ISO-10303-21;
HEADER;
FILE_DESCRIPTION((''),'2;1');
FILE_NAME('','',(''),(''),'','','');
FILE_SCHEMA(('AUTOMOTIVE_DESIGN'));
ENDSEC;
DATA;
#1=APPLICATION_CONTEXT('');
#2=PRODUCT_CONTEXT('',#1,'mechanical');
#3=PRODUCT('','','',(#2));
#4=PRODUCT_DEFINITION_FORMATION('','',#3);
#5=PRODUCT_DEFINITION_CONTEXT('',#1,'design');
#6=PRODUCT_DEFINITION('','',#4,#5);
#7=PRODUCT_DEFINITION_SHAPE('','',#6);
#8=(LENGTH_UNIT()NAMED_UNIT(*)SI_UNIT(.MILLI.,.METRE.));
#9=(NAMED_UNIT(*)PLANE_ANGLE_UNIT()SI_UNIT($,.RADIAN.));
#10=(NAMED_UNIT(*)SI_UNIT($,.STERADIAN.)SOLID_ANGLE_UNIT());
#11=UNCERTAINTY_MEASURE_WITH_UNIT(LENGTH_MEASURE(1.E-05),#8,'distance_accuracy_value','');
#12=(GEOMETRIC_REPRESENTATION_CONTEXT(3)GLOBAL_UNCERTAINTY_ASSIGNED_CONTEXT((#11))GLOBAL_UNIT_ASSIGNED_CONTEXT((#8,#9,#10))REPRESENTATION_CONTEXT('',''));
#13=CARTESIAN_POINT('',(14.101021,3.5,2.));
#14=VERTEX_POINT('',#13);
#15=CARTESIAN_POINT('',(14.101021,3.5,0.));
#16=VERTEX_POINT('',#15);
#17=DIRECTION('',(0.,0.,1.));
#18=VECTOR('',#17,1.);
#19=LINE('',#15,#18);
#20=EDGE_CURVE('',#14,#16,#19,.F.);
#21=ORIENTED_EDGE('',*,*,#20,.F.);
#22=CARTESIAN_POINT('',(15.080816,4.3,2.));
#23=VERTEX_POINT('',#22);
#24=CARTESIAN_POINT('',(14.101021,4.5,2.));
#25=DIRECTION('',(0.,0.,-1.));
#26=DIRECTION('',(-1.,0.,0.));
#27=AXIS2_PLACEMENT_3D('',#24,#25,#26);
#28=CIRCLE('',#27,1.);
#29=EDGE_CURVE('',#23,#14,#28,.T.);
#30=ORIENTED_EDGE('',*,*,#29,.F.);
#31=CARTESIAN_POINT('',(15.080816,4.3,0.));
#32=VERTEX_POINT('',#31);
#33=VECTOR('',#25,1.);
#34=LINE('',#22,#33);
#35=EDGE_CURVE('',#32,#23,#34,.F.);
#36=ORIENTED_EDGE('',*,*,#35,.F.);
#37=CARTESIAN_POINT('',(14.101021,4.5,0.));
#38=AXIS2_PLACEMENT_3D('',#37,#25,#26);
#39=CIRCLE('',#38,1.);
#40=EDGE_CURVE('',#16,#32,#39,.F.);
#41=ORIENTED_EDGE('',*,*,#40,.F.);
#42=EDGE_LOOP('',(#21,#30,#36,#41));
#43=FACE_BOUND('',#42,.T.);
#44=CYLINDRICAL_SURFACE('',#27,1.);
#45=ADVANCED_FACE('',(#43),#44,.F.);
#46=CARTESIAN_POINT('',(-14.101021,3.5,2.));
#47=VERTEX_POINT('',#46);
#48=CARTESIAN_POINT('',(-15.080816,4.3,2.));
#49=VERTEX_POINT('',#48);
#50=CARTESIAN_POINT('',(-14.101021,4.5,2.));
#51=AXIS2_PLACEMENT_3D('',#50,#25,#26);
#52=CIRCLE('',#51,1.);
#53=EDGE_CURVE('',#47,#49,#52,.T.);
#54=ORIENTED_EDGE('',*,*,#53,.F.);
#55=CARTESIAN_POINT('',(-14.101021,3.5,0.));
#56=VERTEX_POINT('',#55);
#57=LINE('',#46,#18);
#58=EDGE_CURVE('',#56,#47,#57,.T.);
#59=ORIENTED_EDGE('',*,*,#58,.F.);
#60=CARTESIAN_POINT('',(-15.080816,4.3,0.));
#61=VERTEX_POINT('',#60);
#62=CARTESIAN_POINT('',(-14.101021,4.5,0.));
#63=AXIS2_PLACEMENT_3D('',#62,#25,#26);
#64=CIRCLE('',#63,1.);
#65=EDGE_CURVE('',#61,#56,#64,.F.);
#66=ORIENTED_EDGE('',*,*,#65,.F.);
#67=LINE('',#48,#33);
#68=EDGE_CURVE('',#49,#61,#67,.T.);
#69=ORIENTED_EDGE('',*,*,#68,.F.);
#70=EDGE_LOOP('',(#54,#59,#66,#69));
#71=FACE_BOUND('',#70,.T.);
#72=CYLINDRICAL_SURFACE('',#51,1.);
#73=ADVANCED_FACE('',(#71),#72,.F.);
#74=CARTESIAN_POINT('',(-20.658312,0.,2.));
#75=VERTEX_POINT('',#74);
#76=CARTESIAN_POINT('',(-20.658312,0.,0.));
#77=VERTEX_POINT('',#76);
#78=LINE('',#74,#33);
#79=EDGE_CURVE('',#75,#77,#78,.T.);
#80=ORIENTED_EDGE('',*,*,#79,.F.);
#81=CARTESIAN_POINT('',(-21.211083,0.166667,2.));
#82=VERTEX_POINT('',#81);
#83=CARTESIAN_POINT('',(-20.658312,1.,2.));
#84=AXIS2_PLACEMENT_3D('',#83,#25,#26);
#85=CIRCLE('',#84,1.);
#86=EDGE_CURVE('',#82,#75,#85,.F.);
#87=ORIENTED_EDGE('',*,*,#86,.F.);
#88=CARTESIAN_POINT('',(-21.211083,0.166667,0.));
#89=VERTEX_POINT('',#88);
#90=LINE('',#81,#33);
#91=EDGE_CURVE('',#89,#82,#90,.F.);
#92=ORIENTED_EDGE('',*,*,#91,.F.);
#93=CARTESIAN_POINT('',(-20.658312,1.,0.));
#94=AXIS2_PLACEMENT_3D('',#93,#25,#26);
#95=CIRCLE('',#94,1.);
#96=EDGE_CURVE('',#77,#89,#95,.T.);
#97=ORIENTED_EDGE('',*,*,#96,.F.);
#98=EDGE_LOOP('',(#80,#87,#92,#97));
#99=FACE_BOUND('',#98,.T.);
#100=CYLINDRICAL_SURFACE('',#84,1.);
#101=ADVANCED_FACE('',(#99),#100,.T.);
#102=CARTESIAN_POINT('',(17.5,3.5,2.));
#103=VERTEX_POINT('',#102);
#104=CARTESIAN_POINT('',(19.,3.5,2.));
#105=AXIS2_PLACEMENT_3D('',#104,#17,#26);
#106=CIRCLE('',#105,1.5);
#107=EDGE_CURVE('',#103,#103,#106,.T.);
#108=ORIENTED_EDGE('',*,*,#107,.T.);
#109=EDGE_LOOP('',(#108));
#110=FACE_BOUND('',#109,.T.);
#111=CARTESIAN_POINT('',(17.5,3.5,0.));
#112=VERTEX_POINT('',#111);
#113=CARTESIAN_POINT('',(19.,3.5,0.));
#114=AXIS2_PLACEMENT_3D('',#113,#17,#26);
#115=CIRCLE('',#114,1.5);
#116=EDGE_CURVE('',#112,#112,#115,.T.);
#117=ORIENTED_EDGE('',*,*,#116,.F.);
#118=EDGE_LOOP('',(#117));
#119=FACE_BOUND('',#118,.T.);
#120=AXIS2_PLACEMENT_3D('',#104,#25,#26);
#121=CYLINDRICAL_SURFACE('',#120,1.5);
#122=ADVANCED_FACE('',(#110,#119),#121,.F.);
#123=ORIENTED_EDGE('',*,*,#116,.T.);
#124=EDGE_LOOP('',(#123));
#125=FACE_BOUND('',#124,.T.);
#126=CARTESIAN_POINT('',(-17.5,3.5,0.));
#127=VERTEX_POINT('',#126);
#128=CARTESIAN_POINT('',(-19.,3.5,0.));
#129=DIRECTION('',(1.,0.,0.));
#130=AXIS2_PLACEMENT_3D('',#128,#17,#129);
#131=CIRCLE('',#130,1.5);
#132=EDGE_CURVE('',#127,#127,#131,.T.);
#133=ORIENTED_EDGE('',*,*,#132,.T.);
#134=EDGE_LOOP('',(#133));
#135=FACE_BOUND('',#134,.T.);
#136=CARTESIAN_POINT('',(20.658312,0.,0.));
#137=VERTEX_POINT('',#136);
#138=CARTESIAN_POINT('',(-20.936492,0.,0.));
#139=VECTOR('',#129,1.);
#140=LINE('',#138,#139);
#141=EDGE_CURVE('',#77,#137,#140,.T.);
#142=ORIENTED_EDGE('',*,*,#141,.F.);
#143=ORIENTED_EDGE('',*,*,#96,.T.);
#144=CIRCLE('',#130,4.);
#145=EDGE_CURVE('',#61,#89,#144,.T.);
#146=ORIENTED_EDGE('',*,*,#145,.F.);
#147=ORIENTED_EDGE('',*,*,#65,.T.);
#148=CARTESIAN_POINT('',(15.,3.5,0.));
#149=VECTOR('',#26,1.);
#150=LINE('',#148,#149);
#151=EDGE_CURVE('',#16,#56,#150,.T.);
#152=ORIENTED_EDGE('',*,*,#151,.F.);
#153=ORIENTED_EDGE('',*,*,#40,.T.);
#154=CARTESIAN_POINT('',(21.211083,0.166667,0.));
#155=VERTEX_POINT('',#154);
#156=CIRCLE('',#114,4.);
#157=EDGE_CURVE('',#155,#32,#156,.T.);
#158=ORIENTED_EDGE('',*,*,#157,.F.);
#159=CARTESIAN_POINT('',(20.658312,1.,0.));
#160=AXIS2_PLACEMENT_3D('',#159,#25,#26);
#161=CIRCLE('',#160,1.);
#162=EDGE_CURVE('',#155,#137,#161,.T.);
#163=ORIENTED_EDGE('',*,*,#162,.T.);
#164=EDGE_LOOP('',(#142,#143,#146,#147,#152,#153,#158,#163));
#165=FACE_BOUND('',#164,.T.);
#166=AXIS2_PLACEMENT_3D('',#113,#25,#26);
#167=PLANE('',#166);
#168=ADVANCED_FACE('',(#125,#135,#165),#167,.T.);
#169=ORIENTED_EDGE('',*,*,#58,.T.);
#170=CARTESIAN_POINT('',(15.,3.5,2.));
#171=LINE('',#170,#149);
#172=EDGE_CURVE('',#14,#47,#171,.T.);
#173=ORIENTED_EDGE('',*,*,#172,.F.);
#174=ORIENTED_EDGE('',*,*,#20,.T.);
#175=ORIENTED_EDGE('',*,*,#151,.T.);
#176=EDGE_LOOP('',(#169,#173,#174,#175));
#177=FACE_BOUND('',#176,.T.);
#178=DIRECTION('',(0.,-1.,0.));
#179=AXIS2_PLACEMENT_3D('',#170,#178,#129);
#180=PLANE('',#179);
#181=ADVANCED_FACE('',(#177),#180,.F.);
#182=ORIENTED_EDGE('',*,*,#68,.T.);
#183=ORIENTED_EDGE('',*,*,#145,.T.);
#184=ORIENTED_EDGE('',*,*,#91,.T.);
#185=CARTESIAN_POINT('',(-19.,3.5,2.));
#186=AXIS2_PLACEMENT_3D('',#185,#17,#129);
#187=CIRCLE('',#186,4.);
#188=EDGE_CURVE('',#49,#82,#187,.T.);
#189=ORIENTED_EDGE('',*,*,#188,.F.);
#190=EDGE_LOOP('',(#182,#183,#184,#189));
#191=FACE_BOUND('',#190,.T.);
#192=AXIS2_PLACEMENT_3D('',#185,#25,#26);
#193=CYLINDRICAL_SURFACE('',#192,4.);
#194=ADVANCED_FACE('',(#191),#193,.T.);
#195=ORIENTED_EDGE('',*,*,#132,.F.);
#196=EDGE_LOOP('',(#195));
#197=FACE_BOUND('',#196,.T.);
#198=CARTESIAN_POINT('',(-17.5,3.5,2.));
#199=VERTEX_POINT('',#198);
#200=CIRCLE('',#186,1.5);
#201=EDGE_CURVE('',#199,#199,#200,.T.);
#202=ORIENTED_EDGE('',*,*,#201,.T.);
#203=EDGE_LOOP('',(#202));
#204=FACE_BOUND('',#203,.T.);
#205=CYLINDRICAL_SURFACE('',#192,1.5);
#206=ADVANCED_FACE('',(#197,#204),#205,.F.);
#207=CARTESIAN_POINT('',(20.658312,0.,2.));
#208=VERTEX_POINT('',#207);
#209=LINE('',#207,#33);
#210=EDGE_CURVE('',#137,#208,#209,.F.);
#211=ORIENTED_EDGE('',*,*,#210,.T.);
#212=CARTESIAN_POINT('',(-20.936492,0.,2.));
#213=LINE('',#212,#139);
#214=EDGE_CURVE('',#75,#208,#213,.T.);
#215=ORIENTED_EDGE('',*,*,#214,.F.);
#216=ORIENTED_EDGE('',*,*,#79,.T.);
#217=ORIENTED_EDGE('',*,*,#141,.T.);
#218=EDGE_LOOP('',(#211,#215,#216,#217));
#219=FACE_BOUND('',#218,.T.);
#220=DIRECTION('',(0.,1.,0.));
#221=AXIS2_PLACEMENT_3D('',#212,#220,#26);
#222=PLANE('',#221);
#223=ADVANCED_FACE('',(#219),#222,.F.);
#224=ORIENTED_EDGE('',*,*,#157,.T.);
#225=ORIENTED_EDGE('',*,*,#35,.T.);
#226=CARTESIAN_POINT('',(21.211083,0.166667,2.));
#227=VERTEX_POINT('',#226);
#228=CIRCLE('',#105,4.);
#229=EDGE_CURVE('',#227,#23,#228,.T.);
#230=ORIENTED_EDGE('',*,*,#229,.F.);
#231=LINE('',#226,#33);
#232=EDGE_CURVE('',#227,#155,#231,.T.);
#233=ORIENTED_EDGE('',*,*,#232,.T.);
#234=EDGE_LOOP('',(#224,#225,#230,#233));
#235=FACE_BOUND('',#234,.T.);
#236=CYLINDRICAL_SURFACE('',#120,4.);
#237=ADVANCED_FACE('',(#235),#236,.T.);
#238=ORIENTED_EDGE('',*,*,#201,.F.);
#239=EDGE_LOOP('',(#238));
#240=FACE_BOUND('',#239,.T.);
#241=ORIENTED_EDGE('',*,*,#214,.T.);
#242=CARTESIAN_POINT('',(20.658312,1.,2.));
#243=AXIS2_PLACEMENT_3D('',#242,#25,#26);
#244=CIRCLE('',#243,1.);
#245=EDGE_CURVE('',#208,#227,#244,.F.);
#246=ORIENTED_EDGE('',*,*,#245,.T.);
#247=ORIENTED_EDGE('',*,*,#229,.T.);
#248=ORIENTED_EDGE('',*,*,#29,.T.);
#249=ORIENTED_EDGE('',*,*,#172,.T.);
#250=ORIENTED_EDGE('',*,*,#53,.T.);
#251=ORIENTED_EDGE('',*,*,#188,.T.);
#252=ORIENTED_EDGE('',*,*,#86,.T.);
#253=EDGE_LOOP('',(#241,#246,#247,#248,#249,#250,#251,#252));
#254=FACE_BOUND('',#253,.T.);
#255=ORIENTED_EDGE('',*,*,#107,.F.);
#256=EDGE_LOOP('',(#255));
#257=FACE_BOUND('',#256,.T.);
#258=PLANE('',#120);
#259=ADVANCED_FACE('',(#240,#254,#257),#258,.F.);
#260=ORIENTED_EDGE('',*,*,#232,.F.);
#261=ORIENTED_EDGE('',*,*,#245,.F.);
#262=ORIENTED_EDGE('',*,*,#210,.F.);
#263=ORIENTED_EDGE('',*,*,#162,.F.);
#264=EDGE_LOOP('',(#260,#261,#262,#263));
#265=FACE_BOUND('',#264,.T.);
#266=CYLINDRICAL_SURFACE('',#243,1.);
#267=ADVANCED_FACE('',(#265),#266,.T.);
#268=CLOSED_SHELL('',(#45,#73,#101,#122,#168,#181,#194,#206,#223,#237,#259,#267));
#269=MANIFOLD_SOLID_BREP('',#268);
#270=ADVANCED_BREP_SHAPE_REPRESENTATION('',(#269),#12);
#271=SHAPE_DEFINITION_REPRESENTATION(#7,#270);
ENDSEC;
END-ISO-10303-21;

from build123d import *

# Parameters (mm, degrees)
CROQUIS1_R              = 1.5
SALIENTE_EXTRUIR1_DEPTH = 2
REDONDEO1_R             = 1


with BuildPart() as part:
    # Croquis1 → Saliente-Extruir1 (new body)
    with BuildSketch(Plane.XY):
        with BuildLine():
            Line((15, 3.5), (-15, 3.5))
            ThreePointArc((-15, 3.5), (-21.031506006, 6.945719569), (-20.936491673, 0))
            Line((-20.936491673, 0), (20.936491673, 0))
            ThreePointArc((20.936491673, 0), (21.031506006, 6.945719569), (15, 3.5))
        make_face()
        with Locations((-19, 3.5)):
            Circle(CROQUIS1_R, mode=Mode.SUBTRACT)
        with Locations((19, 3.5)):
            Circle(CROQUIS1_R, mode=Mode.SUBTRACT)
    extrude(amount=SALIENTE_EXTRUIR1_DEPTH)

    # Redondeo1
    redondeo1_edges = [part.edges().sort_by_distance(p)[0] for p in [
        (20.936491673, 0, 1),
        (-20.936491673, 0, 1),
        (-15, 3.5, 1),
        (15, 3.5, 1),
    ]]
    fillet(redondeo1_edges, radius=REDONDEO1_R)


solid = part.part
